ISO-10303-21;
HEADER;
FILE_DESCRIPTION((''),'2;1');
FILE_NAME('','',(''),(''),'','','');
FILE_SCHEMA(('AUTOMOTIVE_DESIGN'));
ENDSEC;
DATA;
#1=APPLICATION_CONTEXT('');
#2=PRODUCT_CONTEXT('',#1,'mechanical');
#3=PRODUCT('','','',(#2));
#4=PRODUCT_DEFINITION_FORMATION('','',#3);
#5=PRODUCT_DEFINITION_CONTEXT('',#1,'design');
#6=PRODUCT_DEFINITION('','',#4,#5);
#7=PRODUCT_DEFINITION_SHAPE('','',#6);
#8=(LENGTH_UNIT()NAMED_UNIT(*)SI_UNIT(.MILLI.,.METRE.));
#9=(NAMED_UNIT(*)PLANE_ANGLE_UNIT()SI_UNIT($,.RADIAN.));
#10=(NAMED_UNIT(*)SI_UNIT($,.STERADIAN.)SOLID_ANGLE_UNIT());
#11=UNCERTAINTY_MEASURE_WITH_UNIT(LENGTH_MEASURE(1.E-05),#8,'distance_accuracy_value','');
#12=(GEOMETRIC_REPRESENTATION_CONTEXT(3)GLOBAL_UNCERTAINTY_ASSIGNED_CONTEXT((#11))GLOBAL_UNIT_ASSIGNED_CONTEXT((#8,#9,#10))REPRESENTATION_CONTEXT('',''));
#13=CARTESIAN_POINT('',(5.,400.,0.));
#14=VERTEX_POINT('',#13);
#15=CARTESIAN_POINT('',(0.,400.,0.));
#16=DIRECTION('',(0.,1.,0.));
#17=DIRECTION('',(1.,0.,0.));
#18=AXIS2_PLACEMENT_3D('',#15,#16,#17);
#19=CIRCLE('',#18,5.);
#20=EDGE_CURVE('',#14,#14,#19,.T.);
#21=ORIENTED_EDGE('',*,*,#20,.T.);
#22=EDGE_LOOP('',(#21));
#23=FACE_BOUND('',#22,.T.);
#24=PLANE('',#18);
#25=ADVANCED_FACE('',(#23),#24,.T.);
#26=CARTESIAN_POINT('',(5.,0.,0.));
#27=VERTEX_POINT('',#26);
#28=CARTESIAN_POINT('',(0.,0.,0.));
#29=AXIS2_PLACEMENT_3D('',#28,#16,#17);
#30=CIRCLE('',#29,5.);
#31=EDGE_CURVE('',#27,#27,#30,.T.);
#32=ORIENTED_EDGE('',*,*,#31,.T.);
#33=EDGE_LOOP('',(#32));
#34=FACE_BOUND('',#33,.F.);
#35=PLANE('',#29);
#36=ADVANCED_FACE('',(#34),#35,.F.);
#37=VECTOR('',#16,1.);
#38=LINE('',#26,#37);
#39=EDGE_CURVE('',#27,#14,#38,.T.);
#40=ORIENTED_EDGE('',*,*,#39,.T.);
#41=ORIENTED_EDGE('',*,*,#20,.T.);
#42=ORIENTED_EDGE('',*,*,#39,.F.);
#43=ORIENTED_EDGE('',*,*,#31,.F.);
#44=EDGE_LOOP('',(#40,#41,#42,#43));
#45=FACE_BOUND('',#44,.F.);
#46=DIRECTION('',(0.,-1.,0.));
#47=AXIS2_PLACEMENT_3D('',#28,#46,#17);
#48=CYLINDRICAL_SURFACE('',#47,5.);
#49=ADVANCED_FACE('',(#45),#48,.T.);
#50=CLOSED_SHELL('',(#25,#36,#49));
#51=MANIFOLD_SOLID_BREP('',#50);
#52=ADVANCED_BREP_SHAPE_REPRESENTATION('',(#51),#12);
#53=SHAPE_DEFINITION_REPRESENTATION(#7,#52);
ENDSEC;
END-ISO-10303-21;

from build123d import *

# Parameters (mm, degrees)
SKETCH_1_R      = 5
EXTRUDE_2_DEPTH = 400


with BuildPart() as part:
    # 草图1 → 凸台-拉伸2 (new body)
    with BuildSketch(Plane(origin=(0, 0, 0), x_dir=(1, 0, 0), z_dir=(0, 1, 0))):
        Circle(SKETCH_1_R)
    extrude(amount=EXTRUDE_2_DEPTH)


solid = part.part
